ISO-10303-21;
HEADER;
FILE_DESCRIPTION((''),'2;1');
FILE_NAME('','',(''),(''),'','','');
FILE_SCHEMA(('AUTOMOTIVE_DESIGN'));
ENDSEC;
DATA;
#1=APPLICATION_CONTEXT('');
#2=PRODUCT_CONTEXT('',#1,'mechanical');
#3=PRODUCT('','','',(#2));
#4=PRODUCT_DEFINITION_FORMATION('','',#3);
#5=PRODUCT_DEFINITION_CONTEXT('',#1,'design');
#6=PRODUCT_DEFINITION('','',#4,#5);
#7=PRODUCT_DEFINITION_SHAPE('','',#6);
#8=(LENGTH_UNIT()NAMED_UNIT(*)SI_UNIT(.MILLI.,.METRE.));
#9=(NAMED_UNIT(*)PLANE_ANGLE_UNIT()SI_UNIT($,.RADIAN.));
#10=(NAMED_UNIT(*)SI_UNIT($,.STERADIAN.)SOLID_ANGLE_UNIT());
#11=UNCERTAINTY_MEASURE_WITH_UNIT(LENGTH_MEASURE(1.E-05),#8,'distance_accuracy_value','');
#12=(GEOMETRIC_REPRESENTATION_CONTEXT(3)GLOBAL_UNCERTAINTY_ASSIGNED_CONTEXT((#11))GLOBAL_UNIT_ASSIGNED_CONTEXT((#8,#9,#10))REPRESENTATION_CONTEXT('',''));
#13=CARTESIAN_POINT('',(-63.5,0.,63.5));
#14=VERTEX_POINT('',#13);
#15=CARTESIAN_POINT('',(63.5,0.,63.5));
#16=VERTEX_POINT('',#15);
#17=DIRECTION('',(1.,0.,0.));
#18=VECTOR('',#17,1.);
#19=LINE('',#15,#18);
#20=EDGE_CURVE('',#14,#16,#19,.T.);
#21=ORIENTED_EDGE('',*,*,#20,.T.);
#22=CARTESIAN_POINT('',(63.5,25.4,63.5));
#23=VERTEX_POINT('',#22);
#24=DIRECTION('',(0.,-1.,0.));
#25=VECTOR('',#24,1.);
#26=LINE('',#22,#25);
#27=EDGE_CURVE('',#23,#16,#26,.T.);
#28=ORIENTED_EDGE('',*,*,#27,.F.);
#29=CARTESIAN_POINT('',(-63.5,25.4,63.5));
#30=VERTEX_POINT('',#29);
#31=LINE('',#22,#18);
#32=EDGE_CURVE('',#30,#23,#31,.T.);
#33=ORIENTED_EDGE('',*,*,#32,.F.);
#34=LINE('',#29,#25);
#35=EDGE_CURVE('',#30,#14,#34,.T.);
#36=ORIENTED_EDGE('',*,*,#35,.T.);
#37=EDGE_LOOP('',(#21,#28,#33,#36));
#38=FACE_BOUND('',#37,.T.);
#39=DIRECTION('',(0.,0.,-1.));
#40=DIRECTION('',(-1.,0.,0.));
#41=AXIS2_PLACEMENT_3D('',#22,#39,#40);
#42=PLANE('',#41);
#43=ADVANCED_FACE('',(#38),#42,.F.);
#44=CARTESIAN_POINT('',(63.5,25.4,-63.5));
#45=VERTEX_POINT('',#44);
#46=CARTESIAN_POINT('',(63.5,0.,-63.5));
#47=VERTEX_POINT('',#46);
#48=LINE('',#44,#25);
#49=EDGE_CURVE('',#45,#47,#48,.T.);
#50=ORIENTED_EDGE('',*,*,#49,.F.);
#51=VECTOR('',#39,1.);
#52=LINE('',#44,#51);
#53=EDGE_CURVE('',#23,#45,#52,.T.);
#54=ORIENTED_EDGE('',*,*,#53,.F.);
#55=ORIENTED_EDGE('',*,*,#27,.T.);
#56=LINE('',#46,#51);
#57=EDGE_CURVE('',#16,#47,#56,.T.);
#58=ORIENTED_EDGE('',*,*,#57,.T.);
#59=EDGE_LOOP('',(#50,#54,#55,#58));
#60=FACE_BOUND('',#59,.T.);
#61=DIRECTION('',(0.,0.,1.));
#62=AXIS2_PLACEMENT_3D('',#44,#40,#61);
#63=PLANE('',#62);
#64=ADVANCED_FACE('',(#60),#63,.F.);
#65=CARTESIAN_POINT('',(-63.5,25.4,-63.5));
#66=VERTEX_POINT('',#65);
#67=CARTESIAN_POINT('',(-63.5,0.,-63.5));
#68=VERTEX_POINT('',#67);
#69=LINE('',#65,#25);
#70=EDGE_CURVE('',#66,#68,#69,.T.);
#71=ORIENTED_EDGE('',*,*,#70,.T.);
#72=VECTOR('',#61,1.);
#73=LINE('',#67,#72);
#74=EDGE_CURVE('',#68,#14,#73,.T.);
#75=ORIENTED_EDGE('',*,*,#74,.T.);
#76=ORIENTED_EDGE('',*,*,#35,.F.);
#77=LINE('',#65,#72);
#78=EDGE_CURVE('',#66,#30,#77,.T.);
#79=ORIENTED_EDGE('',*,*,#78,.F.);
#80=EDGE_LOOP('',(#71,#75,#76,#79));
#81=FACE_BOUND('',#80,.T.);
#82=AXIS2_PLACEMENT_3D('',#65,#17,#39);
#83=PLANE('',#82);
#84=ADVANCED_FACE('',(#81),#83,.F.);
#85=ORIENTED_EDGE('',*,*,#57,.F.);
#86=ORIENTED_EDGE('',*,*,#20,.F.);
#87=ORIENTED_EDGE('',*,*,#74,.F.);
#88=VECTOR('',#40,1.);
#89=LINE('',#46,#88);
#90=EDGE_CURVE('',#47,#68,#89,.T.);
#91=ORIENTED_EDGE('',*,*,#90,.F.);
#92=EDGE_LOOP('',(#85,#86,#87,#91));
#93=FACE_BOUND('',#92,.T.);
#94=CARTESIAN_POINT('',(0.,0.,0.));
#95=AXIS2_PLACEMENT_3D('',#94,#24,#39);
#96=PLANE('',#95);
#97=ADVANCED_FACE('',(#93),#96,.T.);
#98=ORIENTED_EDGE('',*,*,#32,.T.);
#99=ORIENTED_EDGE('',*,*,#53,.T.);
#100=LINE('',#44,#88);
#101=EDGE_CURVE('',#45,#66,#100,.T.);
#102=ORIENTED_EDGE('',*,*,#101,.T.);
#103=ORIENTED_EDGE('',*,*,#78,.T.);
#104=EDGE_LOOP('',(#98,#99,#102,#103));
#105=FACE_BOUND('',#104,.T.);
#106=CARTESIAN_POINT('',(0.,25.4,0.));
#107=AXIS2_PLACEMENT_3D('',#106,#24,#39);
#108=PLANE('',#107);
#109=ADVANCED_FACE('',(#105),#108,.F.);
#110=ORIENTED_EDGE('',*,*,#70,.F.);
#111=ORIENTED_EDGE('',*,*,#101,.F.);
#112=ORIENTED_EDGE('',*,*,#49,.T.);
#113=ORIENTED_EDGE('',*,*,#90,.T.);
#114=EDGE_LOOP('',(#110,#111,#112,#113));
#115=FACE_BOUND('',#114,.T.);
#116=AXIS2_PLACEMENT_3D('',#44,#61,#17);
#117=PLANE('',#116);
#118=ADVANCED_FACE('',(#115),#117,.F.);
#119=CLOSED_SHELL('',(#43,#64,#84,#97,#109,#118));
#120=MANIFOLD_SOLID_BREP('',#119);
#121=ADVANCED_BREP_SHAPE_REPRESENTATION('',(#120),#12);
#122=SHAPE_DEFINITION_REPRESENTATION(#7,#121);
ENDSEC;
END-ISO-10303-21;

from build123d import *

# Parameters (mm, degrees)
SKETCH1_W           = 127
SKETCH1_H           = 127
BOSS_EXTRUDE1_DEPTH = 25.4


with BuildPart() as part:
    # Sketch1 → Boss-Extrude1 (new body)
    with BuildSketch(Plane(origin=(0, 0, 0), x_dir=(1, 0, 0), z_dir=(0, 1, 0))):
        Rectangle(SKETCH1_W, SKETCH1_H)
    extrude(amount=BOSS_EXTRUDE1_DEPTH)


solid = part.part
